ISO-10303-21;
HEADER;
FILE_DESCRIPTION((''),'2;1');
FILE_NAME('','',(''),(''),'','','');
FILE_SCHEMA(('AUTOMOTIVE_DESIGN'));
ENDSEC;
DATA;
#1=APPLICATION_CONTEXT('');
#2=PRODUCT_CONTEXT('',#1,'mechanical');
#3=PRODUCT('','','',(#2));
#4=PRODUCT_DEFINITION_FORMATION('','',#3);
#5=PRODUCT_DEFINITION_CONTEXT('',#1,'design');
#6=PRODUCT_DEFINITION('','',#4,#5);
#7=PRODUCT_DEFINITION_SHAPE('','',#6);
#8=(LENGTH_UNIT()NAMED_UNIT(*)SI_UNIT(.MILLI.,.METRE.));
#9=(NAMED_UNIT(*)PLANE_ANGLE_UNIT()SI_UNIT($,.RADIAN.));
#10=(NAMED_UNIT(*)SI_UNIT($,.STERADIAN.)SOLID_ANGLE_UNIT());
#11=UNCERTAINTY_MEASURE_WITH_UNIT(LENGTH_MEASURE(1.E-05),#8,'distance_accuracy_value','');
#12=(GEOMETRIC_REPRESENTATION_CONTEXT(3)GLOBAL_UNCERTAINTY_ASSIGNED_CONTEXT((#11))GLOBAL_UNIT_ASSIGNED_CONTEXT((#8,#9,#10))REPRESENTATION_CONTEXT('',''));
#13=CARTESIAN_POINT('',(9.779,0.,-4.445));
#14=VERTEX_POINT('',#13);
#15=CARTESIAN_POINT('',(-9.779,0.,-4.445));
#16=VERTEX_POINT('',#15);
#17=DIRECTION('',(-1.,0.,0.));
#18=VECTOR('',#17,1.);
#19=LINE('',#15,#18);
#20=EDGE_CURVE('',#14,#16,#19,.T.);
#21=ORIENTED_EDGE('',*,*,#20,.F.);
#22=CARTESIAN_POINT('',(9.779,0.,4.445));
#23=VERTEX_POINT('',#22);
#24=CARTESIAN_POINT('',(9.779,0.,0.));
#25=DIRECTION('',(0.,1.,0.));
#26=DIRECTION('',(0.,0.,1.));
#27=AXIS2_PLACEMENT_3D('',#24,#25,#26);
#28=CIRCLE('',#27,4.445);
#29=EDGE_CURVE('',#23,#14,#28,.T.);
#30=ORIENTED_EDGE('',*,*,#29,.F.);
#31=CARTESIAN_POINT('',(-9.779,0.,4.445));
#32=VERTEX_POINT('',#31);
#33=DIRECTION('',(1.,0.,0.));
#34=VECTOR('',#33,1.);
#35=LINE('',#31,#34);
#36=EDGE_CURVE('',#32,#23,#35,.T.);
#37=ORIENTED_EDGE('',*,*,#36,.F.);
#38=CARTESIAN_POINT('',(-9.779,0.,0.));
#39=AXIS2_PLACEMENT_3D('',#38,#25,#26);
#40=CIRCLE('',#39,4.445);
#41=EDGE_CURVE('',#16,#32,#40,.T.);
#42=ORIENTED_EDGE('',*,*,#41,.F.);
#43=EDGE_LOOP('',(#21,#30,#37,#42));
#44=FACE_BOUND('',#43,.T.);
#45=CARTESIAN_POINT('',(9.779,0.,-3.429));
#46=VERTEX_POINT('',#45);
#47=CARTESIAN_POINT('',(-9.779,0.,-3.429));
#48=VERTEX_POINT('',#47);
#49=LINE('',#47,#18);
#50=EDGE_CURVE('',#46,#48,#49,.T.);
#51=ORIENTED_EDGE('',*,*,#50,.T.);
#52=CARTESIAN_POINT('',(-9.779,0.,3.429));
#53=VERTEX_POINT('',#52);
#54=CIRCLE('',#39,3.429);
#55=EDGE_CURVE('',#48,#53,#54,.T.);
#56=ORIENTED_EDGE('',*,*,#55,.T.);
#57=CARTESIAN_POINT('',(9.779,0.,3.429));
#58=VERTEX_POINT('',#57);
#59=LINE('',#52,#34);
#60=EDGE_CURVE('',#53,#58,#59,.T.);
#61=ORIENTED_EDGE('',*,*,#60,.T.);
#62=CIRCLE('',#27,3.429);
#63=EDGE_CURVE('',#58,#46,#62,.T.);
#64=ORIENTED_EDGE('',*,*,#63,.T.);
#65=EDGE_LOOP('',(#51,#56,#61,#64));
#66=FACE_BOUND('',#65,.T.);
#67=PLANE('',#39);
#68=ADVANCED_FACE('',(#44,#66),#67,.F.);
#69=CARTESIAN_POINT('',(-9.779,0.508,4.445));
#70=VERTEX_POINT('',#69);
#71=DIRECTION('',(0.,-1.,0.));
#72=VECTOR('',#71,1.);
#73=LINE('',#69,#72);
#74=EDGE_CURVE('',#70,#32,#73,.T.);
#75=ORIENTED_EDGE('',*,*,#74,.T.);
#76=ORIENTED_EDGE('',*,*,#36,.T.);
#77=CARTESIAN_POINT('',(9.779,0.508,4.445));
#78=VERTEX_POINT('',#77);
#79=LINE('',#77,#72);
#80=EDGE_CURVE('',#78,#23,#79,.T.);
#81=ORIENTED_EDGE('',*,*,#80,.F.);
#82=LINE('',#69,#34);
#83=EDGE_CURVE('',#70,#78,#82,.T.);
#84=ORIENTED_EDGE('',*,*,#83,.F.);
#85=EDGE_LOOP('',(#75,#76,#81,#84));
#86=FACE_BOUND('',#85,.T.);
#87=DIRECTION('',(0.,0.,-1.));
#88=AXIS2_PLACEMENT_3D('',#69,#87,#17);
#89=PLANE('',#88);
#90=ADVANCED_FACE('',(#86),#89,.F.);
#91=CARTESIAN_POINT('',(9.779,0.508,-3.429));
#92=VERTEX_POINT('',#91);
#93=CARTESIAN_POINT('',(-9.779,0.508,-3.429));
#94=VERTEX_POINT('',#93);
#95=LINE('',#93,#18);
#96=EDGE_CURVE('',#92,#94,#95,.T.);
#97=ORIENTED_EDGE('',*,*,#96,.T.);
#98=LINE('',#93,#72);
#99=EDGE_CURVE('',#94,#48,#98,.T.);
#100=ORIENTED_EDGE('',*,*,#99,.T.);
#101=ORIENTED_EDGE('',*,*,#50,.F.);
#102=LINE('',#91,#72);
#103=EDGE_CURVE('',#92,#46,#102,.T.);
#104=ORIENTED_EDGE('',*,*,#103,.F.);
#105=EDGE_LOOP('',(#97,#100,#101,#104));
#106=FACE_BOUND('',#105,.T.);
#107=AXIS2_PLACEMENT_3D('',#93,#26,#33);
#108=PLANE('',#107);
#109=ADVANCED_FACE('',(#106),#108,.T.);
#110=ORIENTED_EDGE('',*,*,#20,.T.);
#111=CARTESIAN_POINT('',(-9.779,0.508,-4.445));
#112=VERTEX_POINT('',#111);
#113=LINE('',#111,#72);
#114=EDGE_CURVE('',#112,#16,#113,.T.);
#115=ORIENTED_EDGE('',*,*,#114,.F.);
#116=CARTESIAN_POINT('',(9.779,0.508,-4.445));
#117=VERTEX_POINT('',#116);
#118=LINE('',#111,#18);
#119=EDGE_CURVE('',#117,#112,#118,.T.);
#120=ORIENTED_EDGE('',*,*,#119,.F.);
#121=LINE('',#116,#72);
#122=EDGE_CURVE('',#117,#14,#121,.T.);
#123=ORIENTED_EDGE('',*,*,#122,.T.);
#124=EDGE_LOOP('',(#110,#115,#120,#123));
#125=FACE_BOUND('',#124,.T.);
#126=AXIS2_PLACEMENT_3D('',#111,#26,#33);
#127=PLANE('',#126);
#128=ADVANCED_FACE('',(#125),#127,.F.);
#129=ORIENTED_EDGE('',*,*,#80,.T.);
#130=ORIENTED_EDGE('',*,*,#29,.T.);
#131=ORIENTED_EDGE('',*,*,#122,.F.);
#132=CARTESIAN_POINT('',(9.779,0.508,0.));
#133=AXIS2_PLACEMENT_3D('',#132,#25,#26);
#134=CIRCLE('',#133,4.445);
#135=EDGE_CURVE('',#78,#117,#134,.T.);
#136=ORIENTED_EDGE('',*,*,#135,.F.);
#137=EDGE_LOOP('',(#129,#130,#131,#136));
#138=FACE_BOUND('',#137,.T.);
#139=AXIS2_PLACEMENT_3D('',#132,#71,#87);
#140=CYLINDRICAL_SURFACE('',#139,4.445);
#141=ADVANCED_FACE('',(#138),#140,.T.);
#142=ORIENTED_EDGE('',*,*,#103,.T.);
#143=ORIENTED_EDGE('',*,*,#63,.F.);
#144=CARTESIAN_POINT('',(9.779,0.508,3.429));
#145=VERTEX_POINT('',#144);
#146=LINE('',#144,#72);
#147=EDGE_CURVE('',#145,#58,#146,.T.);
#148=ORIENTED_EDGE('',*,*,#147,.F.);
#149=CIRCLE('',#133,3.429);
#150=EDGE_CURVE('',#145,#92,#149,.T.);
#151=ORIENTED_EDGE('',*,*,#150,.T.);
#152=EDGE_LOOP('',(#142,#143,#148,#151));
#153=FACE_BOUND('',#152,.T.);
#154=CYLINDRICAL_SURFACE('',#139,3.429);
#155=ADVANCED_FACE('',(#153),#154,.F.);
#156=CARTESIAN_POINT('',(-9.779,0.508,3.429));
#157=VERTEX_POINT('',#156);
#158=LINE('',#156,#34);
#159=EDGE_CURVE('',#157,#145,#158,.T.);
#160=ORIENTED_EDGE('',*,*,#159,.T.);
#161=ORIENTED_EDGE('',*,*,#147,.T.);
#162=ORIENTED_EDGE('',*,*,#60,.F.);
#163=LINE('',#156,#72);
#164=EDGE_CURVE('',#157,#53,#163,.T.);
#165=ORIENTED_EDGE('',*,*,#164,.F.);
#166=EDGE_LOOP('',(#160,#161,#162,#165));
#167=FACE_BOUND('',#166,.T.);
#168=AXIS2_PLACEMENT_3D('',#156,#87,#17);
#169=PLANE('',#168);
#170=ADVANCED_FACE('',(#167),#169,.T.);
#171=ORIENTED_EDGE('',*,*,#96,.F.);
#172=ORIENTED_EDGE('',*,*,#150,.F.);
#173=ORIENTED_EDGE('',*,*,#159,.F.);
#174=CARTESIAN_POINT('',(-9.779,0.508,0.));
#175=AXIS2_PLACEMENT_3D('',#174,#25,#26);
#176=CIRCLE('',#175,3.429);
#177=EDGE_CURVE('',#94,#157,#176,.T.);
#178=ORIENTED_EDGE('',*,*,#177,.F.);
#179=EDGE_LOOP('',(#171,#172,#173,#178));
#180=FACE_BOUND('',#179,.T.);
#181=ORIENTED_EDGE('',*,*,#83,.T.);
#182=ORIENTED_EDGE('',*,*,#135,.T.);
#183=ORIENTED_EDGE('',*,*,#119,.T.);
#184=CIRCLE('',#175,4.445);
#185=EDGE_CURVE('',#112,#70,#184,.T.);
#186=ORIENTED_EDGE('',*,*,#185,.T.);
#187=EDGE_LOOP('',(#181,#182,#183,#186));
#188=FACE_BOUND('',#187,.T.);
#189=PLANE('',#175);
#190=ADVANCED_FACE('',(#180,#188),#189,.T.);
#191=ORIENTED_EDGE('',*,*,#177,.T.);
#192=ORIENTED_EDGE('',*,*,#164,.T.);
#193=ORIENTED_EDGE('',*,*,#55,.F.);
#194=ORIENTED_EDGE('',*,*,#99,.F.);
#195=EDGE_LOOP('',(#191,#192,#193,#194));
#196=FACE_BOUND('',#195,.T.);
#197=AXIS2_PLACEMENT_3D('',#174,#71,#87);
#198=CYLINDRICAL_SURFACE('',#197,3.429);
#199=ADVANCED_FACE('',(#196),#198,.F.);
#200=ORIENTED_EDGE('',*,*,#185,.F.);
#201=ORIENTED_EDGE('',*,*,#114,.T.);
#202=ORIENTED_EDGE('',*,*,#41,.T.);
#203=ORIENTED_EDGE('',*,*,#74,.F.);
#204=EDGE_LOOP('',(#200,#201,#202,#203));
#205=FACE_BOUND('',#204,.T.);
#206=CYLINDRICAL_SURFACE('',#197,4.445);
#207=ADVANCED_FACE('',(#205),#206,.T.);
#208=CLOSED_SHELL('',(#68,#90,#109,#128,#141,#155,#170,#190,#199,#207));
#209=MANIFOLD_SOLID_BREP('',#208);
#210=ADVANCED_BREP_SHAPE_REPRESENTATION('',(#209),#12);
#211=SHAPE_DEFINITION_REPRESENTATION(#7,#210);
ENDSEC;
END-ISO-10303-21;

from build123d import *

# Parameters (mm, degrees)
BOSS_EXTRUDE1_DEPTH = 0.508


with BuildPart() as part:
    # Sketch1 → Boss-Extrude1 (new body)
    with BuildSketch(Plane(origin=(0, 0, 0), x_dir=(1, 0, 0), z_dir=(0, 1, 0))):
        with BuildLine():
            Line((-9.779, 4.445), (9.779, 4.445))
            ThreePointArc((9.779, 4.445), (14.224, 0), (9.779, -4.445))
            Line((9.779, -4.445), (-9.779, -4.445))
            ThreePointArc((-9.779, -4.445), (-14.224, 0), (-9.779, 4.445))
        make_face()
        with BuildLine():
            Line((-9.779, 3.429), (9.779, 3.429))
            ThreePointArc((9.779, 3.429), (13.208, 0), (9.779, -3.429))
            Line((9.779, -3.429), (-9.779, -3.429))
            ThreePointArc((-9.779, -3.429), (-13.208, 0), (-9.779, 3.429))
        make_face(mode=Mode.SUBTRACT)
    extrude(amount=BOSS_EXTRUDE1_DEPTH)


solid = part.part
